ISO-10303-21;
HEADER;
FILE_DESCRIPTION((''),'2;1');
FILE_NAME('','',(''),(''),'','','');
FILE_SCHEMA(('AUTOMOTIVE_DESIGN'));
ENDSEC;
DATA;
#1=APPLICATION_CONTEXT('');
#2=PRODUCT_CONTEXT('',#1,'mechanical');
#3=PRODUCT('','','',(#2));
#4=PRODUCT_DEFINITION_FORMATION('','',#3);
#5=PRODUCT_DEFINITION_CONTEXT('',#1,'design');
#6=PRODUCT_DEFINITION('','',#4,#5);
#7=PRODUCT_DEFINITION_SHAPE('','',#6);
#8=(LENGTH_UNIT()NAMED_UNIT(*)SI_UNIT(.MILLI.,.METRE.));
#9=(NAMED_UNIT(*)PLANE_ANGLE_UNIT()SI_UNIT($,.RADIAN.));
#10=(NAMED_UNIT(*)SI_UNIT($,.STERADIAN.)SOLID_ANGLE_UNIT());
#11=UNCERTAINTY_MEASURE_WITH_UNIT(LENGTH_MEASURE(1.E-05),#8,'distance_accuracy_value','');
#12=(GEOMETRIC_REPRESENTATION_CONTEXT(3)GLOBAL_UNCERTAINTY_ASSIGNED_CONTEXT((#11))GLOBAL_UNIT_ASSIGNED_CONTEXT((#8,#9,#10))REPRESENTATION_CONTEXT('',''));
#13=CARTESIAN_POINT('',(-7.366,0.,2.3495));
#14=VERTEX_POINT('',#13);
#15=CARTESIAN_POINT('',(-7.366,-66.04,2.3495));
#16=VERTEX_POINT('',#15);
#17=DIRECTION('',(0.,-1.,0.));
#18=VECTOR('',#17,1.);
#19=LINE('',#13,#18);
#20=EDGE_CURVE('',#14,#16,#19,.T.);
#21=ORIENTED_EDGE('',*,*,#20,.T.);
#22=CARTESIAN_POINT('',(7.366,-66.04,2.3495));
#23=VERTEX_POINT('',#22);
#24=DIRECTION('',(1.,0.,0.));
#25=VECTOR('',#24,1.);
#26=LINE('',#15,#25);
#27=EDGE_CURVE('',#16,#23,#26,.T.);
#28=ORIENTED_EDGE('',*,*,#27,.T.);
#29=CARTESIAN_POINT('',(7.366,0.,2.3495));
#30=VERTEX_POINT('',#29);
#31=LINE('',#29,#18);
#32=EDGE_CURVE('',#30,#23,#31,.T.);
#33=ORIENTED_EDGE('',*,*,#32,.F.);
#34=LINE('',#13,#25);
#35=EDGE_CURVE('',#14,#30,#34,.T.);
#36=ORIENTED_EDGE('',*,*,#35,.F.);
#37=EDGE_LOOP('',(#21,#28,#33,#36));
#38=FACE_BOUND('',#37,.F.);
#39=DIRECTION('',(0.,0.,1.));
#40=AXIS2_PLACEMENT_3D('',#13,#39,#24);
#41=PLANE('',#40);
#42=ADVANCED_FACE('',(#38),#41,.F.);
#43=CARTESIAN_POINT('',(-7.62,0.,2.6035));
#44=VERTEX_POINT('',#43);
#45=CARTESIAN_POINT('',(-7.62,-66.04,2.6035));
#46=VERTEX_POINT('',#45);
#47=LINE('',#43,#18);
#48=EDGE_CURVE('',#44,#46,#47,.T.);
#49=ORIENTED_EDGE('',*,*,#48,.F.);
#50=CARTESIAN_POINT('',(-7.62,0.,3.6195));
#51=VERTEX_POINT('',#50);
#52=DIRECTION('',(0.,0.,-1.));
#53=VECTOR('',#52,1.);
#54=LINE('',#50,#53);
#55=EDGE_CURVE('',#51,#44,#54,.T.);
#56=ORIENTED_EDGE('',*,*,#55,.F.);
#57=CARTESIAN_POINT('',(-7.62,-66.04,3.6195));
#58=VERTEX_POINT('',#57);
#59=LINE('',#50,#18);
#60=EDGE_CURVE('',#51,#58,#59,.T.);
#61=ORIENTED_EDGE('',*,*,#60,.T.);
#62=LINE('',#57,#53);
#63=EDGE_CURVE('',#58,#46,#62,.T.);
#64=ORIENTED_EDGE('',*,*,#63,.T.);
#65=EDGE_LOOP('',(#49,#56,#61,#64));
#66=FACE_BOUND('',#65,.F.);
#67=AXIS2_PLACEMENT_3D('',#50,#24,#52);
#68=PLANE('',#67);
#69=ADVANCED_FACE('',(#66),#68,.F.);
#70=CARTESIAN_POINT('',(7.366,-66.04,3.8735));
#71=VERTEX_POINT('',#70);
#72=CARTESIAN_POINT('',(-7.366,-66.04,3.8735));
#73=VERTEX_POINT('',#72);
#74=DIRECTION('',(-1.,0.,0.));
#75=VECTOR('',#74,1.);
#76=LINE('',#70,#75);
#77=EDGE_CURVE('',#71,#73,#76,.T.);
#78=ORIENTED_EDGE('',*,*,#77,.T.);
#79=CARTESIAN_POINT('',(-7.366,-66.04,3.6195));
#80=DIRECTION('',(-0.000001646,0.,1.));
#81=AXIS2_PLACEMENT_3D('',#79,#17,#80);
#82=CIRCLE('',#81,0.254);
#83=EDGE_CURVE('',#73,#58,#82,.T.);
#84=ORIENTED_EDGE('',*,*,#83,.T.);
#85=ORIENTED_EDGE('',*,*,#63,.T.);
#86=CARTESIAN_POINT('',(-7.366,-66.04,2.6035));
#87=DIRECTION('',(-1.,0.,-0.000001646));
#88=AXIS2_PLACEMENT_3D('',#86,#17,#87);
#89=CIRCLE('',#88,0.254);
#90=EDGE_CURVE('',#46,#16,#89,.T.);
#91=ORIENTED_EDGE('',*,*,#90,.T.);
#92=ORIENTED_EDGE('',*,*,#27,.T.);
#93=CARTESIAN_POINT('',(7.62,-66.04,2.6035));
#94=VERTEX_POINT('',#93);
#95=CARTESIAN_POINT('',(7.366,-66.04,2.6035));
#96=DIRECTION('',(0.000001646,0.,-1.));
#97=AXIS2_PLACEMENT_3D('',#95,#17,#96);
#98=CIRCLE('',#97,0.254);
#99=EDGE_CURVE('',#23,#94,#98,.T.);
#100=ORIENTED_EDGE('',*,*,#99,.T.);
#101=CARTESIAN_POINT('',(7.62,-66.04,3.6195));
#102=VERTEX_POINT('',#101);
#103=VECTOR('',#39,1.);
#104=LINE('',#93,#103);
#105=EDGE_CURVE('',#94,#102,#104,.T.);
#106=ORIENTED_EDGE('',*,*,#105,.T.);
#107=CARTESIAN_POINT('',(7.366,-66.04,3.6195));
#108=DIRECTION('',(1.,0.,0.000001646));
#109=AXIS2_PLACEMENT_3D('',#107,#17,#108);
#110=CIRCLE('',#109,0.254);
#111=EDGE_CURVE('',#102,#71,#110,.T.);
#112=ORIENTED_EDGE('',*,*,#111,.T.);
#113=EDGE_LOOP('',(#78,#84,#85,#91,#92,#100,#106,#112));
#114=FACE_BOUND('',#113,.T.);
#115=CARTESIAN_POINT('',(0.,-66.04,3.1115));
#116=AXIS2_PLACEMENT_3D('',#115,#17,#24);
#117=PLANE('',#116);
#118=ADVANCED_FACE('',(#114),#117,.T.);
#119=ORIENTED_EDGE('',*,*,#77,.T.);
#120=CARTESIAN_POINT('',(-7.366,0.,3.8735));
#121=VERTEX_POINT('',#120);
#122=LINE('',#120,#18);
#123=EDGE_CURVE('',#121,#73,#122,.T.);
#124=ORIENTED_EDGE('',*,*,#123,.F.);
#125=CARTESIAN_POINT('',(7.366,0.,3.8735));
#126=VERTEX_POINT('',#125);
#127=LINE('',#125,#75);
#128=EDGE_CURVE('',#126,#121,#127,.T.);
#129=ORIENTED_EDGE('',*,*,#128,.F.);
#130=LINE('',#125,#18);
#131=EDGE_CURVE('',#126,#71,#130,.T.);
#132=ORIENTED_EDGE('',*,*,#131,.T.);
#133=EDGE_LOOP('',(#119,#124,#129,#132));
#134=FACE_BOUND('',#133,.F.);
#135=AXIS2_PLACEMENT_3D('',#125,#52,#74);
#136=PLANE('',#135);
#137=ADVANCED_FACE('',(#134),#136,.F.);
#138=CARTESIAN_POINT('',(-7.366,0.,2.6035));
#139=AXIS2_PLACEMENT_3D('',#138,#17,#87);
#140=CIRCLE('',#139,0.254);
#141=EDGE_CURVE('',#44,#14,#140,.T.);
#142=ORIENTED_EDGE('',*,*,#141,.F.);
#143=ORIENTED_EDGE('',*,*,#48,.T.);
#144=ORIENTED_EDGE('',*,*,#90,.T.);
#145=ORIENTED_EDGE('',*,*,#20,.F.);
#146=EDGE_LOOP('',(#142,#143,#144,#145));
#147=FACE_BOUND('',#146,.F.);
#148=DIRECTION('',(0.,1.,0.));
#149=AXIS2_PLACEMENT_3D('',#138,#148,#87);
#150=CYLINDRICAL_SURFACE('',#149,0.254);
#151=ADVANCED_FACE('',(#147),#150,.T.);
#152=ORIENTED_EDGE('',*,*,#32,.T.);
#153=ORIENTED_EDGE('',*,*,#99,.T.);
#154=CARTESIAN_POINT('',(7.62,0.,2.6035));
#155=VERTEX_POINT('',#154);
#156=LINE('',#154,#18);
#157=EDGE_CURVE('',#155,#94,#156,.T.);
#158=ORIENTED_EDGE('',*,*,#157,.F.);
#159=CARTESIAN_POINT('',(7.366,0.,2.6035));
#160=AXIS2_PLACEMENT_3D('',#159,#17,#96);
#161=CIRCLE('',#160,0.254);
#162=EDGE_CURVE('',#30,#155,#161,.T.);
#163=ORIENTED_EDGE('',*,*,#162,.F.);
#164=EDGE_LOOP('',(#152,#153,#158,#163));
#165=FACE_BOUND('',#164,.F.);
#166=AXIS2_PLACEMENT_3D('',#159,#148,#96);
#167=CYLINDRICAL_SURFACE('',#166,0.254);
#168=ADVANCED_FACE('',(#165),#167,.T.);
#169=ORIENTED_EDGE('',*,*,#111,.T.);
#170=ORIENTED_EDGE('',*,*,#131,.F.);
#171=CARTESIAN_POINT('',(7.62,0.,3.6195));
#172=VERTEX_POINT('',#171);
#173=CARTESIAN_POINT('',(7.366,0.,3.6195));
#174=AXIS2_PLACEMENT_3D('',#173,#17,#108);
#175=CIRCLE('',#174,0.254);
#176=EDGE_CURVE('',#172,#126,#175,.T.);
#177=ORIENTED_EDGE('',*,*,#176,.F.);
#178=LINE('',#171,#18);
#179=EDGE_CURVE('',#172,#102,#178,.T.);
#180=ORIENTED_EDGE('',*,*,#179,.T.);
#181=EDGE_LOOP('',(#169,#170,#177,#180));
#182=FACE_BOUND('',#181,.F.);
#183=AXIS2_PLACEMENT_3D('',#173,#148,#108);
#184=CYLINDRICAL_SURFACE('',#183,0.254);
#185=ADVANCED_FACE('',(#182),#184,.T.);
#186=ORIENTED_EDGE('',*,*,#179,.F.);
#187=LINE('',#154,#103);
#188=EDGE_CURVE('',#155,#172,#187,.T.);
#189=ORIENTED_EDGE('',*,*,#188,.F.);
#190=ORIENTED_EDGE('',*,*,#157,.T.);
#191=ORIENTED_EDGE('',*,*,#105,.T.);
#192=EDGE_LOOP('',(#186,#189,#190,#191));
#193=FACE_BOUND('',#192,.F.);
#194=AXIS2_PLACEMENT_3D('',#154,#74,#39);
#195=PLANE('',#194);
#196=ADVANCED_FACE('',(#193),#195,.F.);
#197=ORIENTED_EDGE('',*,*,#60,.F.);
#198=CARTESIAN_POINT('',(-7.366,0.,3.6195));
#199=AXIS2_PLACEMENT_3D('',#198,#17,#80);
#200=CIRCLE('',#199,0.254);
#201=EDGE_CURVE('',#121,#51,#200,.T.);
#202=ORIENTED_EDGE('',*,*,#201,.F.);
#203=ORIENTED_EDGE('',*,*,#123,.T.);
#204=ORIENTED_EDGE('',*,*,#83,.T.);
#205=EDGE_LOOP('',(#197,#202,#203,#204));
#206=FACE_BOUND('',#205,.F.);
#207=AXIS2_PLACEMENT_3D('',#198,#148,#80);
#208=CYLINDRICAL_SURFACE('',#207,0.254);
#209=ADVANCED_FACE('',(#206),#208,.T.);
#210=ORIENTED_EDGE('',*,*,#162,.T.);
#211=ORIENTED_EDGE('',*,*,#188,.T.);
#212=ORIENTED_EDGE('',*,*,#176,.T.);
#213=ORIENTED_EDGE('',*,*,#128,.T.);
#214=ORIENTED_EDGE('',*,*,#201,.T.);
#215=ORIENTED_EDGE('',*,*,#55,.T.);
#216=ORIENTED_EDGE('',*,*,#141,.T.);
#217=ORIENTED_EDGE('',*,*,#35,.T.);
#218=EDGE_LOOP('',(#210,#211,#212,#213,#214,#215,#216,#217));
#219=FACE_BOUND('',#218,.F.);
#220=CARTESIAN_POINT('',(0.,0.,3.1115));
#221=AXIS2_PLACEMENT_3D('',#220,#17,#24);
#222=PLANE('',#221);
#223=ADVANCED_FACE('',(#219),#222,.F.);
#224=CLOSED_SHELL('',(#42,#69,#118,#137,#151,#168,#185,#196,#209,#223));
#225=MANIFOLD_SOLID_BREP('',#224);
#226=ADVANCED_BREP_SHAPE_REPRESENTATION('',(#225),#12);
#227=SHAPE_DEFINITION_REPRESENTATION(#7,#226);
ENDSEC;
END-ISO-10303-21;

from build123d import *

# Parameters (mm, degrees)
F1_DEPTH = 66.04


with BuildPart() as f1:
    # F0 (on Front) → F1 (new body)
    with BuildSketch(Plane.XZ):
        with BuildLine():
            ThreePointArc((-7.366, 3.8735), (-7.545605, 3.799105), (-7.62, 3.6195))
            Line((-7.62, 3.6195), (-7.62, 2.6035))
            ThreePointArc((-7.62, 2.6035), (-7.545605, 2.423895), (-7.366, 2.3495))
            Line((-7.366, 2.3495), (0, 2.3495))
            Line((0, 2.3495), (7.366, 2.3495))
            ThreePointArc((7.366, 2.3495), (7.545605, 2.423895), (7.62, 2.6035))
            Line((7.62, 2.6035), (7.62, 3.6195))
            ThreePointArc((7.62, 3.6195), (7.545605, 3.799105), (7.366, 3.8735))
            Line((7.366, 3.8735), (0, 3.8735))
            Line((0, 3.8735), (-7.366, 3.8735))
        make_face()
    extrude(amount=F1_DEPTH)


solid = f1.part
